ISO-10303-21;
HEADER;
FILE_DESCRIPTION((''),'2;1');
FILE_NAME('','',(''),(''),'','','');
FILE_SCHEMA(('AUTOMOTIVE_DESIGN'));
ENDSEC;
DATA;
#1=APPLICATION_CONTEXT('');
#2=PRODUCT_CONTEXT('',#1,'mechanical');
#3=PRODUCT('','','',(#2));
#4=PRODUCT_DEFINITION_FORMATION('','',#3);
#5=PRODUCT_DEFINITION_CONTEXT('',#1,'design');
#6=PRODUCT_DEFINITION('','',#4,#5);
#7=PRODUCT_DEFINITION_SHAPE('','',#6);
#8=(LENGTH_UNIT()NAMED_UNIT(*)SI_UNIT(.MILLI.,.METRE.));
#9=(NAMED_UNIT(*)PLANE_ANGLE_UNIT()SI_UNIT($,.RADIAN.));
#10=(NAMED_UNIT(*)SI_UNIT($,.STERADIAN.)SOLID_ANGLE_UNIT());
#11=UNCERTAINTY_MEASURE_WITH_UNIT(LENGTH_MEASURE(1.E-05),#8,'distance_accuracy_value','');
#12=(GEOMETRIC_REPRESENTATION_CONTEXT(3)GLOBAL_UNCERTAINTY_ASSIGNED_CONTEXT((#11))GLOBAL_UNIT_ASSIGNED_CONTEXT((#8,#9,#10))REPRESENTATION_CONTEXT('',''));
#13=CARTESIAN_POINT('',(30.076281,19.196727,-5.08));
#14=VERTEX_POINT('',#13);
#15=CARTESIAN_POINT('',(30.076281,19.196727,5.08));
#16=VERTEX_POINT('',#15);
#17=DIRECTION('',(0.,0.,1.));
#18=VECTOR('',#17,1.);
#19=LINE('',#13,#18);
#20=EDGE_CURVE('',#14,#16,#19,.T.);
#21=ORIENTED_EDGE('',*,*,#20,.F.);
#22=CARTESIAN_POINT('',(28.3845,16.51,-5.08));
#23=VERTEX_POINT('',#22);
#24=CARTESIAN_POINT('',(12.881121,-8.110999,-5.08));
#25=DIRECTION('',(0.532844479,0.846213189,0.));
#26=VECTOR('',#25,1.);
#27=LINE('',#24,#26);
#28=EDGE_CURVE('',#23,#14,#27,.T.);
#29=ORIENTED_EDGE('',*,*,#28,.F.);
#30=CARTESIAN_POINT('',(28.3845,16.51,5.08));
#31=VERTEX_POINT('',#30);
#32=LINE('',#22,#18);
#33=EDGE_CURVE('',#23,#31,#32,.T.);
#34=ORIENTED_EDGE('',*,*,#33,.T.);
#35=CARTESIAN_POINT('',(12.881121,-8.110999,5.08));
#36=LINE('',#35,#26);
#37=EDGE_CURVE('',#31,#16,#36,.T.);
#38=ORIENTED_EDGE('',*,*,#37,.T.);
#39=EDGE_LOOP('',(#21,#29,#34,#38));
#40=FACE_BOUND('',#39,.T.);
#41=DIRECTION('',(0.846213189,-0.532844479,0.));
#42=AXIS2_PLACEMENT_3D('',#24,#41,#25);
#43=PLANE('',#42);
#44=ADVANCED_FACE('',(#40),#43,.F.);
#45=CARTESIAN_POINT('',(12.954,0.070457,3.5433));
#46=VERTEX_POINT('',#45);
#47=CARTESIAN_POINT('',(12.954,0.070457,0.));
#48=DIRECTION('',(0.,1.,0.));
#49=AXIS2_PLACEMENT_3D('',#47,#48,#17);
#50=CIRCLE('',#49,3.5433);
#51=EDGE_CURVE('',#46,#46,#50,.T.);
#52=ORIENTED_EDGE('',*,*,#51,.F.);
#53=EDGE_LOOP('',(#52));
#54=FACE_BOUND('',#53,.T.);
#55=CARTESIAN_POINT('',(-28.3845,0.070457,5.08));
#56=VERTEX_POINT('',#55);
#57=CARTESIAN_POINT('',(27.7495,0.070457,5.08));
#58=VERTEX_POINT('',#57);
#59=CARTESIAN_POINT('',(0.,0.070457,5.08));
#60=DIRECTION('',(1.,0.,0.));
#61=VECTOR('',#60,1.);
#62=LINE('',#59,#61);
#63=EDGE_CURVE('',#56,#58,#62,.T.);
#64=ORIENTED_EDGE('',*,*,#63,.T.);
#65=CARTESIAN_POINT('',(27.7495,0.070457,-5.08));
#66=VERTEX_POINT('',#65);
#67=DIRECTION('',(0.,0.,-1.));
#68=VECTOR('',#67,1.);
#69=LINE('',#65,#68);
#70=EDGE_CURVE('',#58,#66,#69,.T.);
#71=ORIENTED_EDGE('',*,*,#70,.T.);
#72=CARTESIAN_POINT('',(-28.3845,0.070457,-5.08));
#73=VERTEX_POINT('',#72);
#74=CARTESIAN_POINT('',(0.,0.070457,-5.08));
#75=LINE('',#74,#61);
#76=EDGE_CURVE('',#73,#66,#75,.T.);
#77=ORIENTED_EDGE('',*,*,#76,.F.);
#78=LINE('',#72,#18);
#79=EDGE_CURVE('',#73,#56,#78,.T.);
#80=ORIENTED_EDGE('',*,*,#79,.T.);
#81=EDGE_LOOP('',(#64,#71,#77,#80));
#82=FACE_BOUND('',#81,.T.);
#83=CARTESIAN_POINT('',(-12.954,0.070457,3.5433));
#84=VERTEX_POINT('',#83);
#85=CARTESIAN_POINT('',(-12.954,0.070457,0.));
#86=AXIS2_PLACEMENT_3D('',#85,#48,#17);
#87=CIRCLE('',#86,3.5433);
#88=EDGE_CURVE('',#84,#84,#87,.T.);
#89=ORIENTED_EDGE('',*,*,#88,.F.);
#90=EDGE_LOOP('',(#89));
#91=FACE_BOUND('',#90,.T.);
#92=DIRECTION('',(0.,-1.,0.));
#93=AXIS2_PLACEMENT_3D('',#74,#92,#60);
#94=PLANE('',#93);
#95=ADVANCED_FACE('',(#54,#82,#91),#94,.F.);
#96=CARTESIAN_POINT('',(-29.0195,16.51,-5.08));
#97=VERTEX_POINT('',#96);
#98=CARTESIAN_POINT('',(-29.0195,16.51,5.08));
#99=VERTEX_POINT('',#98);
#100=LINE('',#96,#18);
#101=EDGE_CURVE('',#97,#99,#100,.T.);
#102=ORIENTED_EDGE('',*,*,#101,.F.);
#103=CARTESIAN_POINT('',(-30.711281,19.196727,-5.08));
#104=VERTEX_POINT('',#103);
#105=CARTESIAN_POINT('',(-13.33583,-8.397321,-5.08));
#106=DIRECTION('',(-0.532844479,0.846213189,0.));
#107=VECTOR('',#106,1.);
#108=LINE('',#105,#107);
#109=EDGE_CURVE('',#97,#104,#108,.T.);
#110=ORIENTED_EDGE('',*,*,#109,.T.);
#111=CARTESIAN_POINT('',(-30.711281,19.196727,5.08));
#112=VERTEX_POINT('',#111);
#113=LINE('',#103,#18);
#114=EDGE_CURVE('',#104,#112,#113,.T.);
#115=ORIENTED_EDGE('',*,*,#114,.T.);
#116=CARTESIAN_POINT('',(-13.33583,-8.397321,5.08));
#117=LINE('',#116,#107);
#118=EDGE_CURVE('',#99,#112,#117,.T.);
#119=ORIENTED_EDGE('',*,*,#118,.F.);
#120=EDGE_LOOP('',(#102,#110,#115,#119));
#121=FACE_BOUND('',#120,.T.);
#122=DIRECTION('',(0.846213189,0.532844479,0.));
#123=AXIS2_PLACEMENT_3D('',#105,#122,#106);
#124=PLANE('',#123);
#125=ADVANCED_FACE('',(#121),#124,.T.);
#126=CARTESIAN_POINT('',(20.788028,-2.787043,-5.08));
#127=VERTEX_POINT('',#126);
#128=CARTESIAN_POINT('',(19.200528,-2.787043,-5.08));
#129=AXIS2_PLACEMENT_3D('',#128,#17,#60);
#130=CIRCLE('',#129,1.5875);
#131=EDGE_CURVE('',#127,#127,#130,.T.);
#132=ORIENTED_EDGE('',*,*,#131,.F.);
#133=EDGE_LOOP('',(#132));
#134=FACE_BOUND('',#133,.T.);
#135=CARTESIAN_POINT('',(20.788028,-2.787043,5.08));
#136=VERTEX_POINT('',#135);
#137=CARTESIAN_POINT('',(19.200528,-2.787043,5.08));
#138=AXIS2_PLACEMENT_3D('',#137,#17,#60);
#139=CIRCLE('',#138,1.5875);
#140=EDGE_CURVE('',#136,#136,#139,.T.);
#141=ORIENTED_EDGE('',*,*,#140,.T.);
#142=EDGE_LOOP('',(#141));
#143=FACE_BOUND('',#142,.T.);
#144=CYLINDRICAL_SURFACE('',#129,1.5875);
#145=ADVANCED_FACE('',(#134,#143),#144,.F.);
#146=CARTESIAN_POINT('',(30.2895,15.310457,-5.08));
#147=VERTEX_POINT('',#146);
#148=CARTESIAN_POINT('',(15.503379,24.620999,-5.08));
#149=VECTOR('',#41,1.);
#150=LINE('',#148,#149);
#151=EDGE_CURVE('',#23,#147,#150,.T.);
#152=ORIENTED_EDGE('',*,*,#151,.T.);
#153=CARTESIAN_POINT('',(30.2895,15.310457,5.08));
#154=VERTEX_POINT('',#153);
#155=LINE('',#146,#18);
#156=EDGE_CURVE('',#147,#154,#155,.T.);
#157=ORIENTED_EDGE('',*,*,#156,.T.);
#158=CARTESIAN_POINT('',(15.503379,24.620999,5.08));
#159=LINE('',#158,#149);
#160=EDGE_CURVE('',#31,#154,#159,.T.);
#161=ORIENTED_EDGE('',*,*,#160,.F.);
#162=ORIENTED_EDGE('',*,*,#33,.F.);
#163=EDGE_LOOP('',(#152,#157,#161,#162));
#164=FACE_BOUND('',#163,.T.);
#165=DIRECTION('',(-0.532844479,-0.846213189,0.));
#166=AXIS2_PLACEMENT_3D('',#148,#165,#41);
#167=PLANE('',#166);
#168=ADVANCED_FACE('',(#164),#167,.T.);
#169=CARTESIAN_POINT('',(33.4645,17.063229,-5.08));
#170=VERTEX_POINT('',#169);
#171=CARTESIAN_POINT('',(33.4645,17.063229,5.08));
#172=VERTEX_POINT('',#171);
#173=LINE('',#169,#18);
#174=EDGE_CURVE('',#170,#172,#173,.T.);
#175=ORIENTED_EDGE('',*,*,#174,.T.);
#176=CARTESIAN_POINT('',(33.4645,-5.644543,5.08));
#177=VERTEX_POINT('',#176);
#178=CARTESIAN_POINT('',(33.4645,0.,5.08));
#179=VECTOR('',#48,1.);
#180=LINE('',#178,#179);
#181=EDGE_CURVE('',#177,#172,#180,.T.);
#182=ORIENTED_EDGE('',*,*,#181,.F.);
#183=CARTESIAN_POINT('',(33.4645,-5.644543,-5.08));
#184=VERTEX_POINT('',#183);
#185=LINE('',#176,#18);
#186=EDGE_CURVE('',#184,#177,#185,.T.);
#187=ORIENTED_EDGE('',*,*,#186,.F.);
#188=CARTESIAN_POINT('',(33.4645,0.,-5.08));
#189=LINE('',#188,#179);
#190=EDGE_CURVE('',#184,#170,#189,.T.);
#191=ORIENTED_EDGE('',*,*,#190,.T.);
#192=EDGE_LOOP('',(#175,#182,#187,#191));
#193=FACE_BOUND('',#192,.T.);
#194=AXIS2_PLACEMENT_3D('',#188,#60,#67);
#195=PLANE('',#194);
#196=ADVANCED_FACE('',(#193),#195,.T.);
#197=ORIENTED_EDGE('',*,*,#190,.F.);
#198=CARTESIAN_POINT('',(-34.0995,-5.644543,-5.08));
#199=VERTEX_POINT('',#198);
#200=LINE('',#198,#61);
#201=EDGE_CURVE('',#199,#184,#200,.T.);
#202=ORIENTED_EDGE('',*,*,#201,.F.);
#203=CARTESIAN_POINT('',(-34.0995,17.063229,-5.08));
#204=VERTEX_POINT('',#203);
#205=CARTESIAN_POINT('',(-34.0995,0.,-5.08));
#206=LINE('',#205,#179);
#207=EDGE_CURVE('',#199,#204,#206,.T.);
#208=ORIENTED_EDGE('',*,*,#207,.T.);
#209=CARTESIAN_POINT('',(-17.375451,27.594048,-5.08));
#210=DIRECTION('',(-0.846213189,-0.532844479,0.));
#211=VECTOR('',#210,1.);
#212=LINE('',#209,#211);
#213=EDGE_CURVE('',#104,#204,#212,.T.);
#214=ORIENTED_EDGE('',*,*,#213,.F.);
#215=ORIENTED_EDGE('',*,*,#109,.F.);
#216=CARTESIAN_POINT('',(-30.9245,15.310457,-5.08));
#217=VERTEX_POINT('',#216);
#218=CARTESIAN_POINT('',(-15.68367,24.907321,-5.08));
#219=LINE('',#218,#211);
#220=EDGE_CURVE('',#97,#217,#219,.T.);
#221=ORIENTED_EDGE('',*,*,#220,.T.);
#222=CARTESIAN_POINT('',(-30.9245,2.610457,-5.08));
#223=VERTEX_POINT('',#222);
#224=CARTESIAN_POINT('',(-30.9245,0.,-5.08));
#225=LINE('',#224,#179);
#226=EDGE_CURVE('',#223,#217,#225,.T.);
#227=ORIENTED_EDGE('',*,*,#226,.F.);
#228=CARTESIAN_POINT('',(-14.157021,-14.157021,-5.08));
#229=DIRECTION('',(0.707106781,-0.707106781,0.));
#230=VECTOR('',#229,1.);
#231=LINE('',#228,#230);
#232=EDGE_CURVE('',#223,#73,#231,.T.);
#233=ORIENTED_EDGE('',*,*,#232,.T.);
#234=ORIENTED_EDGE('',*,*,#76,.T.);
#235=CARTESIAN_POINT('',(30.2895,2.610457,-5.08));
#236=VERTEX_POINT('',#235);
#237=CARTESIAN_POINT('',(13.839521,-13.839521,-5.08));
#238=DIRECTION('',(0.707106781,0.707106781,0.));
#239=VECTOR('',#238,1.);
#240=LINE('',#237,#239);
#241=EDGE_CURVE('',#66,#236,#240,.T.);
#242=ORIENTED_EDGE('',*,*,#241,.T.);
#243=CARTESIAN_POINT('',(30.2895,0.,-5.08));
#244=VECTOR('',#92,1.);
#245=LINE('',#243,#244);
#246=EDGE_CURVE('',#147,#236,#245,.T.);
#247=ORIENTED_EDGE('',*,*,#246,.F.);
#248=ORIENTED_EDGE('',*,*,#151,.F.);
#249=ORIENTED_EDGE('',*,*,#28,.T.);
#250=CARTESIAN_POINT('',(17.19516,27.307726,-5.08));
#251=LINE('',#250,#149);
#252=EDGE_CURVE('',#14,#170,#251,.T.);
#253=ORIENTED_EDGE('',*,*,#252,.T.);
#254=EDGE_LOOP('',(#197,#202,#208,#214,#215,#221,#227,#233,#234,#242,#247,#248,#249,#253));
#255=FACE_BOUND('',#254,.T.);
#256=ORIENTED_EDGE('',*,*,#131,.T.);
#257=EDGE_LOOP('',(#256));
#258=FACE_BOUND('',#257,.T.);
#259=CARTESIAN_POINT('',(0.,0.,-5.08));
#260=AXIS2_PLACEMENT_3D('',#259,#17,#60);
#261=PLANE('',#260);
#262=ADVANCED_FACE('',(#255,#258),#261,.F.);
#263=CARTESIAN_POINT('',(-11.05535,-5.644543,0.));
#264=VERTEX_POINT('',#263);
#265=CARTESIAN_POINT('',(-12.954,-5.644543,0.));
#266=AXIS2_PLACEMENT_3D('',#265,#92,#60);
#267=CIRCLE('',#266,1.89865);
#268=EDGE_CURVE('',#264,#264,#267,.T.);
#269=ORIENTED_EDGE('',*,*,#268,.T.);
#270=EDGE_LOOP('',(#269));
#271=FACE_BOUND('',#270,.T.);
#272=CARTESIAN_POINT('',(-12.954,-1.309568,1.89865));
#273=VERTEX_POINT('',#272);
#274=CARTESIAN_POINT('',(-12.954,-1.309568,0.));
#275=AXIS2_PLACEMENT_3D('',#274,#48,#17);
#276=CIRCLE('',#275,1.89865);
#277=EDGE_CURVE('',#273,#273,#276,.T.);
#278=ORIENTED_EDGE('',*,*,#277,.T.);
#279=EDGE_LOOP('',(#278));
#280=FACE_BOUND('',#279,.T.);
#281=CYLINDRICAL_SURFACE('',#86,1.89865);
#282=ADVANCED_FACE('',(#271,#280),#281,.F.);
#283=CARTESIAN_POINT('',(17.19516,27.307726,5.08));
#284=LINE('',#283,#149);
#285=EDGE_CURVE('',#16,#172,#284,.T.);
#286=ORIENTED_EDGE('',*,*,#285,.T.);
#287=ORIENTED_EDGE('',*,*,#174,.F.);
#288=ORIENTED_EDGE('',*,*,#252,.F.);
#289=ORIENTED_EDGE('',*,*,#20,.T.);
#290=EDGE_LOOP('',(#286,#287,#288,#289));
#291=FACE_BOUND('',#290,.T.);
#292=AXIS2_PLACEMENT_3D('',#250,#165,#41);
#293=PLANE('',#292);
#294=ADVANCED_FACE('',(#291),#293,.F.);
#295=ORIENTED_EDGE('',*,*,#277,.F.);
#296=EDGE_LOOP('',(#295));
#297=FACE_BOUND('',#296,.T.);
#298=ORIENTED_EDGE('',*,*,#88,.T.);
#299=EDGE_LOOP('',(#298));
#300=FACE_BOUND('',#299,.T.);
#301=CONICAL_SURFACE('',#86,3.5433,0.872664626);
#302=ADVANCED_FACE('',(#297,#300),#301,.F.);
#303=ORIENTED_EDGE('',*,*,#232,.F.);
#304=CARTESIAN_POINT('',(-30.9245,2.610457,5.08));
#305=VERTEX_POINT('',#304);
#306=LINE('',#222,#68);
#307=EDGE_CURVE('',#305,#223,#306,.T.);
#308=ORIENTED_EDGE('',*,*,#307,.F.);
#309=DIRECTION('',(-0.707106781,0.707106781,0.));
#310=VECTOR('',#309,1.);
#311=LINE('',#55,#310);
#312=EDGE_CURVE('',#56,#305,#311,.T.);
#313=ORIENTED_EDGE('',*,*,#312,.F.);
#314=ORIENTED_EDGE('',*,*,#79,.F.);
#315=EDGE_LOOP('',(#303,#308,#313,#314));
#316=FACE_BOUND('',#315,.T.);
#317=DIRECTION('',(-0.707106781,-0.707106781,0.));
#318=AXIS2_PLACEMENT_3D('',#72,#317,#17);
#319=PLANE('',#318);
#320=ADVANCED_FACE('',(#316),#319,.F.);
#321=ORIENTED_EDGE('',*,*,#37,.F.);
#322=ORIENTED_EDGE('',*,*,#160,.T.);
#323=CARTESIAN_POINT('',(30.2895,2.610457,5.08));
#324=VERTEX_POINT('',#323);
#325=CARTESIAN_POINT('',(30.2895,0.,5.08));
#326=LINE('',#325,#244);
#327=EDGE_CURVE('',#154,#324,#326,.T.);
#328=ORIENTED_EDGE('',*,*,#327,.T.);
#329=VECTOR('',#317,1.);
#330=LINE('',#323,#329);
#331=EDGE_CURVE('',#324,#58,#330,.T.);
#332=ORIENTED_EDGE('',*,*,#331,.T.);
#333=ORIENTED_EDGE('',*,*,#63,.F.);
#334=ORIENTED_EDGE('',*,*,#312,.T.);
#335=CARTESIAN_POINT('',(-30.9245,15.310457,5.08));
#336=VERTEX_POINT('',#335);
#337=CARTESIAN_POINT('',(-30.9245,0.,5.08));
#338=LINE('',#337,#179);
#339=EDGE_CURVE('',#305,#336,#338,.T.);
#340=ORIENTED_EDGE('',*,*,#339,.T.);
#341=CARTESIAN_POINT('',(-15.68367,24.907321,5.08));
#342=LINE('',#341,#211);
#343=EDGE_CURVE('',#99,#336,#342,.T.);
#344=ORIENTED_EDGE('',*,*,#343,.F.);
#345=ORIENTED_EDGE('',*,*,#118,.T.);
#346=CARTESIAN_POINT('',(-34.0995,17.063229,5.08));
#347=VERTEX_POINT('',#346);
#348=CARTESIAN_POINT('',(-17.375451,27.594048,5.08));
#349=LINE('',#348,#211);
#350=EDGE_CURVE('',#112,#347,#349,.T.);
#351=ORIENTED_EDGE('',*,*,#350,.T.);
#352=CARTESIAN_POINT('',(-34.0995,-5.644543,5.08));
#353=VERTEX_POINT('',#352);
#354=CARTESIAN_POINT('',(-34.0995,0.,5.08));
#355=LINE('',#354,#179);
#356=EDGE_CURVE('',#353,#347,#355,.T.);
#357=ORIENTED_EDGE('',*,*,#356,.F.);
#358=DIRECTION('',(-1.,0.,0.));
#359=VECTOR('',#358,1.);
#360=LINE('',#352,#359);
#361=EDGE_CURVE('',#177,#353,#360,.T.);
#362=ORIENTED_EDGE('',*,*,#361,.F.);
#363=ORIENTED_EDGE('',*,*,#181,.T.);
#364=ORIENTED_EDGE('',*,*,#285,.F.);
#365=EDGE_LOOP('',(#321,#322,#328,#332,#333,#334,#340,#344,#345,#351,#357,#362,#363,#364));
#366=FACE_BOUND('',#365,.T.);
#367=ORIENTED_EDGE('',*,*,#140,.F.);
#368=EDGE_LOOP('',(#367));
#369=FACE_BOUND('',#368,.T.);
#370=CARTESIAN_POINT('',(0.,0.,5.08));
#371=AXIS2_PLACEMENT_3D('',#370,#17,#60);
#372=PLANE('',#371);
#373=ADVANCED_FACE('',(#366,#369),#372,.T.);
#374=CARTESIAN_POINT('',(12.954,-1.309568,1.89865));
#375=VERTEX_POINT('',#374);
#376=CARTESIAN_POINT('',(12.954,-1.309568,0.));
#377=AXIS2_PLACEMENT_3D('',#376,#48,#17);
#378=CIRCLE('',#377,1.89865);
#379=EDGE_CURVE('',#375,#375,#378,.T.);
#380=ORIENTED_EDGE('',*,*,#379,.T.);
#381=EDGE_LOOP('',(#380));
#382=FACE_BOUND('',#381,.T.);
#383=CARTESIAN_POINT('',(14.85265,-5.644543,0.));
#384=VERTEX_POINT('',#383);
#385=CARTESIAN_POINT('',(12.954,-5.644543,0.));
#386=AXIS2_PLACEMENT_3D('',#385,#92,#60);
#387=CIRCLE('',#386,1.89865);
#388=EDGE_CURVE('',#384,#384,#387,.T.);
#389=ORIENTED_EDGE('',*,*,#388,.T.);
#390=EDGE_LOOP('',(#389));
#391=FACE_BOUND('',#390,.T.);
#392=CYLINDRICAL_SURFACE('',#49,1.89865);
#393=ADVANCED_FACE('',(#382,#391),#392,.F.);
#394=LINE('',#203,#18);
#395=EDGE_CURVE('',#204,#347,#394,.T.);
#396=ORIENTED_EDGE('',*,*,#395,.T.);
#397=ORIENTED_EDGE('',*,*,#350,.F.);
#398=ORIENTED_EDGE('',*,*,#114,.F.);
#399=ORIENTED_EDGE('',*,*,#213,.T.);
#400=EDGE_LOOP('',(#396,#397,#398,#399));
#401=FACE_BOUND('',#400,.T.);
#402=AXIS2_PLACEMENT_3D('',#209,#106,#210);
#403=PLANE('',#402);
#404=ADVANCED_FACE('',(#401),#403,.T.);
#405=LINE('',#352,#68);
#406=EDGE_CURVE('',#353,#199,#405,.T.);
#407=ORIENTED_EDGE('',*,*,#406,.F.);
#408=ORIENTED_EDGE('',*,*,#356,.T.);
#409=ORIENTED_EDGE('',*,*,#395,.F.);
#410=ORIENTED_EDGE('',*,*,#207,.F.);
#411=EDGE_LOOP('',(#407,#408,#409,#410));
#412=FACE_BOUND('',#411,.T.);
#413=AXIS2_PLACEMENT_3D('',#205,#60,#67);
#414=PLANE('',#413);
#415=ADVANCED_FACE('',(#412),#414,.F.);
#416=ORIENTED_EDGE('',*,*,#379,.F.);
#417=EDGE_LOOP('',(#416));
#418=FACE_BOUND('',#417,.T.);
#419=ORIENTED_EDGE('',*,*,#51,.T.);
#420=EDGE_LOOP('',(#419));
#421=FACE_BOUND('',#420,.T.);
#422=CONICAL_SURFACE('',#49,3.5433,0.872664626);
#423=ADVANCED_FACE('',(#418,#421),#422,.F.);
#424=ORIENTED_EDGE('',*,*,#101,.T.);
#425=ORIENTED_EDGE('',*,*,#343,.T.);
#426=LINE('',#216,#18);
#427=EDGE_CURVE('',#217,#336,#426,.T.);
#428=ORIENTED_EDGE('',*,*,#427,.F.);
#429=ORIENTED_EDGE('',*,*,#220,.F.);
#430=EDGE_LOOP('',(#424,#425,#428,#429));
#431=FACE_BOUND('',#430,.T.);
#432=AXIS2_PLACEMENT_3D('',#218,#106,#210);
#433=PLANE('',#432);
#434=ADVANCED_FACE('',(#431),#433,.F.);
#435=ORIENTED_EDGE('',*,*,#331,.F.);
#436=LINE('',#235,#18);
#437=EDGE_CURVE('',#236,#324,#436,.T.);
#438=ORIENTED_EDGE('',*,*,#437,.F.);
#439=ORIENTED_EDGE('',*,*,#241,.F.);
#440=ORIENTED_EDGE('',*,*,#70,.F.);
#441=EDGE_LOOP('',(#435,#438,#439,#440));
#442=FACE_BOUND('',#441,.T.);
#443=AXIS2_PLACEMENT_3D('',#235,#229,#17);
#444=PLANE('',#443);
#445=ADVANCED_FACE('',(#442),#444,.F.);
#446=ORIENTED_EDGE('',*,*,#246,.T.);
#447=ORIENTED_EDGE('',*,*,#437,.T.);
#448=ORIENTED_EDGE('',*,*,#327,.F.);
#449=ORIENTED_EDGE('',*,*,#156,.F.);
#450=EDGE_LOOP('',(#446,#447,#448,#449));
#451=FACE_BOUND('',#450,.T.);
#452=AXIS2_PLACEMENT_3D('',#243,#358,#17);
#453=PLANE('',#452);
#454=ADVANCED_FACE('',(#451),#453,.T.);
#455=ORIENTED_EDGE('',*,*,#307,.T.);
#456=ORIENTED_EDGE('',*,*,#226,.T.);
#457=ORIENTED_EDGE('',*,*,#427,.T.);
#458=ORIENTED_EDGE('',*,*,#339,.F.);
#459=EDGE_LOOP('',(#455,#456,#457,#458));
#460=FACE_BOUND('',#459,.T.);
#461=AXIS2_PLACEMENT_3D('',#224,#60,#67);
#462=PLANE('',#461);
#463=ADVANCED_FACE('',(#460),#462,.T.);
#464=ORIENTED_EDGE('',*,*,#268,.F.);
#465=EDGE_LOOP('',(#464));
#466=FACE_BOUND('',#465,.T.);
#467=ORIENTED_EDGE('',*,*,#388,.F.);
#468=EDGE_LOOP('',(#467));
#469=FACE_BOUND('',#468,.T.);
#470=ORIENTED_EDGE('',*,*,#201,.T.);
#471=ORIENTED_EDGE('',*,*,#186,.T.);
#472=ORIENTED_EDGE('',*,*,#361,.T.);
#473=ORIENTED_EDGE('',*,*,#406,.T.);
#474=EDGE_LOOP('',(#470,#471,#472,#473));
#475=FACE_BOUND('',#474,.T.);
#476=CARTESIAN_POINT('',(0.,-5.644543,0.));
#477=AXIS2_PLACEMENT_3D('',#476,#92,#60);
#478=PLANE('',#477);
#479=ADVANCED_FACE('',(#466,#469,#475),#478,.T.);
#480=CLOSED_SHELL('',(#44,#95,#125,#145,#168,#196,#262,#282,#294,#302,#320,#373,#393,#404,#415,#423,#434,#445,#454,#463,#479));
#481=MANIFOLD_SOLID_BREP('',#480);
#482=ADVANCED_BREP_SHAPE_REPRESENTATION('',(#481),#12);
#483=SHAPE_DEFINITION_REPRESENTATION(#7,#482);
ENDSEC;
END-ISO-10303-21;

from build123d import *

# Parameters (mm, degrees)
BOSS_EXTRUDE1_DEPTH                               = 5.08
BOSS_EXTRUDE1_DEPTH_BACK                          = 5.08
SKETCH2_R                                         = 1.5875
CUT_EXTRUDE1_DEPTH                                = 3.175
CUT_EXTRUDE1_DEPTH_BACK                           = 11.557
CHAMFER1_SIZE                                     = 2.54
CHAMFER2_SIZE                                     = 2.54
CSK_FOR_6_FLAT_HEAD_MACHINE_SCREW_100_D           = 3.7973
CSK_FOR_6_FLAT_HEAD_MACHINE_SCREW_100_CSINK_D     = 7.0866
CSK_FOR_6_FLAT_HEAD_MACHINE_SCREW_100_CSINK_ANGLE = 100
SKETCH6_W                                         = 67.564
SKETCH6_H                                         = 10.16
SKETCH6_R                                         = 1.89865
BOSS_EXTRUDE2_DEPTH                               = 2.54
SKETCH7_R                                         = 1.5875
CUT_EXTRUDE2_DEPTH                                = 6.08
CUT_EXTRUDE2_DEPTH_BACK                           = 6.08


with BuildPart() as part:
    # Sketch1 → Boss-Extrude1 (new body, two sides)
    with BuildSketch(Plane.XY) as boss_extrude1_sk:
        Polygon((30.2895, 0.070457444), (-0.3175, 0.070457444), (-30.9245, 0.070457444), (-30.9245, 15.310457444), (-29.0195, 16.51), (-30.711281219, 19.196726876), (-34.0995, 17.06322944), (-34.0995, -3.104542556), (33.4645, -3.104542556), (33.4645, 17.06322944), (30.076281219, 19.196726876), (28.3845, 16.51), (30.2895, 15.310457444), align=None)
    extrude(amount=BOSS_EXTRUDE1_DEPTH)
    extrude(boss_extrude1_sk.sketch, amount=-BOSS_EXTRUDE1_DEPTH_BACK)

    # Sketch2 → Cut-Extrude1 (cut, two sides)
    with BuildSketch(Plane(origin=(0, 0, 0), x_dir=(1, 0, 0), z_dir=(0, 1, 0))) as cut_extrude1_sk:
        with Locations((-12.954, 0)):
            Circle(SKETCH2_R)
        with Locations((12.954, 0)):
            Circle(SKETCH2_R)
    extrude(amount=CUT_EXTRUDE1_DEPTH, mode=Mode.SUBTRACT)
    extrude(cut_extrude1_sk.sketch, amount=-CUT_EXTRUDE1_DEPTH_BACK, mode=Mode.SUBTRACT)

    # Chamfer1
    chamfer1_edges = [part.edges().sort_by_distance(p)[0] for p in [
        (30.2895, 0.070457444, 0),
    ]]
    chamfer(chamfer1_edges, length=CHAMFER1_SIZE)

    # Chamfer2
    chamfer2_edges = [part.edges().sort_by_distance(p)[0] for p in [
        (-30.9245, 0.070457444, 0),
    ]]
    chamfer(chamfer2_edges, length=CHAMFER2_SIZE)

    # CSK for #6 Flat Head Machine Screw (100)2 (through all)
    with Locations(Plane(origin=(-12.954, 0.070457444, 0), x_dir=(1, 0, 0), z_dir=(0, 1, 0))):
        with Locations((0, 0), (25.908, 0)):
            CounterSinkHole(CSK_FOR_6_FLAT_HEAD_MACHINE_SCREW_100_D / 2, CSK_FOR_6_FLAT_HEAD_MACHINE_SCREW_100_CSINK_D / 2, counter_sink_angle=CSK_FOR_6_FLAT_HEAD_MACHINE_SCREW_100_CSINK_ANGLE)

    # Sketch6 → Boss-Extrude2 (add)
    with BuildSketch(Plane(origin=(0, -3.104542556, 0), x_dir=(-1, 0, 0), z_dir=(0, -1, 0))):
        with Locations((0.3175, 0)):
            Rectangle(SKETCH6_W, SKETCH6_H)
        with Locations((12.954, 0)):
            Circle(SKETCH6_R, mode=Mode.SUBTRACT)
        with Locations((-12.954, 0)):
            Circle(SKETCH6_R, mode=Mode.SUBTRACT)
    extrude(amount=BOSS_EXTRUDE2_DEPTH)

    # Sketch7 → Cut-Extrude2 (cut, two sides)
    with BuildSketch(Plane.XY) as cut_extrude2_sk:
        with Locations((19.200527544, -2.787042556)):
            Circle(SKETCH7_R)
    extrude(amount=CUT_EXTRUDE2_DEPTH, mode=Mode.SUBTRACT)
    extrude(cut_extrude2_sk.sketch, amount=-CUT_EXTRUDE2_DEPTH_BACK, mode=Mode.SUBTRACT)


solid = part.part
